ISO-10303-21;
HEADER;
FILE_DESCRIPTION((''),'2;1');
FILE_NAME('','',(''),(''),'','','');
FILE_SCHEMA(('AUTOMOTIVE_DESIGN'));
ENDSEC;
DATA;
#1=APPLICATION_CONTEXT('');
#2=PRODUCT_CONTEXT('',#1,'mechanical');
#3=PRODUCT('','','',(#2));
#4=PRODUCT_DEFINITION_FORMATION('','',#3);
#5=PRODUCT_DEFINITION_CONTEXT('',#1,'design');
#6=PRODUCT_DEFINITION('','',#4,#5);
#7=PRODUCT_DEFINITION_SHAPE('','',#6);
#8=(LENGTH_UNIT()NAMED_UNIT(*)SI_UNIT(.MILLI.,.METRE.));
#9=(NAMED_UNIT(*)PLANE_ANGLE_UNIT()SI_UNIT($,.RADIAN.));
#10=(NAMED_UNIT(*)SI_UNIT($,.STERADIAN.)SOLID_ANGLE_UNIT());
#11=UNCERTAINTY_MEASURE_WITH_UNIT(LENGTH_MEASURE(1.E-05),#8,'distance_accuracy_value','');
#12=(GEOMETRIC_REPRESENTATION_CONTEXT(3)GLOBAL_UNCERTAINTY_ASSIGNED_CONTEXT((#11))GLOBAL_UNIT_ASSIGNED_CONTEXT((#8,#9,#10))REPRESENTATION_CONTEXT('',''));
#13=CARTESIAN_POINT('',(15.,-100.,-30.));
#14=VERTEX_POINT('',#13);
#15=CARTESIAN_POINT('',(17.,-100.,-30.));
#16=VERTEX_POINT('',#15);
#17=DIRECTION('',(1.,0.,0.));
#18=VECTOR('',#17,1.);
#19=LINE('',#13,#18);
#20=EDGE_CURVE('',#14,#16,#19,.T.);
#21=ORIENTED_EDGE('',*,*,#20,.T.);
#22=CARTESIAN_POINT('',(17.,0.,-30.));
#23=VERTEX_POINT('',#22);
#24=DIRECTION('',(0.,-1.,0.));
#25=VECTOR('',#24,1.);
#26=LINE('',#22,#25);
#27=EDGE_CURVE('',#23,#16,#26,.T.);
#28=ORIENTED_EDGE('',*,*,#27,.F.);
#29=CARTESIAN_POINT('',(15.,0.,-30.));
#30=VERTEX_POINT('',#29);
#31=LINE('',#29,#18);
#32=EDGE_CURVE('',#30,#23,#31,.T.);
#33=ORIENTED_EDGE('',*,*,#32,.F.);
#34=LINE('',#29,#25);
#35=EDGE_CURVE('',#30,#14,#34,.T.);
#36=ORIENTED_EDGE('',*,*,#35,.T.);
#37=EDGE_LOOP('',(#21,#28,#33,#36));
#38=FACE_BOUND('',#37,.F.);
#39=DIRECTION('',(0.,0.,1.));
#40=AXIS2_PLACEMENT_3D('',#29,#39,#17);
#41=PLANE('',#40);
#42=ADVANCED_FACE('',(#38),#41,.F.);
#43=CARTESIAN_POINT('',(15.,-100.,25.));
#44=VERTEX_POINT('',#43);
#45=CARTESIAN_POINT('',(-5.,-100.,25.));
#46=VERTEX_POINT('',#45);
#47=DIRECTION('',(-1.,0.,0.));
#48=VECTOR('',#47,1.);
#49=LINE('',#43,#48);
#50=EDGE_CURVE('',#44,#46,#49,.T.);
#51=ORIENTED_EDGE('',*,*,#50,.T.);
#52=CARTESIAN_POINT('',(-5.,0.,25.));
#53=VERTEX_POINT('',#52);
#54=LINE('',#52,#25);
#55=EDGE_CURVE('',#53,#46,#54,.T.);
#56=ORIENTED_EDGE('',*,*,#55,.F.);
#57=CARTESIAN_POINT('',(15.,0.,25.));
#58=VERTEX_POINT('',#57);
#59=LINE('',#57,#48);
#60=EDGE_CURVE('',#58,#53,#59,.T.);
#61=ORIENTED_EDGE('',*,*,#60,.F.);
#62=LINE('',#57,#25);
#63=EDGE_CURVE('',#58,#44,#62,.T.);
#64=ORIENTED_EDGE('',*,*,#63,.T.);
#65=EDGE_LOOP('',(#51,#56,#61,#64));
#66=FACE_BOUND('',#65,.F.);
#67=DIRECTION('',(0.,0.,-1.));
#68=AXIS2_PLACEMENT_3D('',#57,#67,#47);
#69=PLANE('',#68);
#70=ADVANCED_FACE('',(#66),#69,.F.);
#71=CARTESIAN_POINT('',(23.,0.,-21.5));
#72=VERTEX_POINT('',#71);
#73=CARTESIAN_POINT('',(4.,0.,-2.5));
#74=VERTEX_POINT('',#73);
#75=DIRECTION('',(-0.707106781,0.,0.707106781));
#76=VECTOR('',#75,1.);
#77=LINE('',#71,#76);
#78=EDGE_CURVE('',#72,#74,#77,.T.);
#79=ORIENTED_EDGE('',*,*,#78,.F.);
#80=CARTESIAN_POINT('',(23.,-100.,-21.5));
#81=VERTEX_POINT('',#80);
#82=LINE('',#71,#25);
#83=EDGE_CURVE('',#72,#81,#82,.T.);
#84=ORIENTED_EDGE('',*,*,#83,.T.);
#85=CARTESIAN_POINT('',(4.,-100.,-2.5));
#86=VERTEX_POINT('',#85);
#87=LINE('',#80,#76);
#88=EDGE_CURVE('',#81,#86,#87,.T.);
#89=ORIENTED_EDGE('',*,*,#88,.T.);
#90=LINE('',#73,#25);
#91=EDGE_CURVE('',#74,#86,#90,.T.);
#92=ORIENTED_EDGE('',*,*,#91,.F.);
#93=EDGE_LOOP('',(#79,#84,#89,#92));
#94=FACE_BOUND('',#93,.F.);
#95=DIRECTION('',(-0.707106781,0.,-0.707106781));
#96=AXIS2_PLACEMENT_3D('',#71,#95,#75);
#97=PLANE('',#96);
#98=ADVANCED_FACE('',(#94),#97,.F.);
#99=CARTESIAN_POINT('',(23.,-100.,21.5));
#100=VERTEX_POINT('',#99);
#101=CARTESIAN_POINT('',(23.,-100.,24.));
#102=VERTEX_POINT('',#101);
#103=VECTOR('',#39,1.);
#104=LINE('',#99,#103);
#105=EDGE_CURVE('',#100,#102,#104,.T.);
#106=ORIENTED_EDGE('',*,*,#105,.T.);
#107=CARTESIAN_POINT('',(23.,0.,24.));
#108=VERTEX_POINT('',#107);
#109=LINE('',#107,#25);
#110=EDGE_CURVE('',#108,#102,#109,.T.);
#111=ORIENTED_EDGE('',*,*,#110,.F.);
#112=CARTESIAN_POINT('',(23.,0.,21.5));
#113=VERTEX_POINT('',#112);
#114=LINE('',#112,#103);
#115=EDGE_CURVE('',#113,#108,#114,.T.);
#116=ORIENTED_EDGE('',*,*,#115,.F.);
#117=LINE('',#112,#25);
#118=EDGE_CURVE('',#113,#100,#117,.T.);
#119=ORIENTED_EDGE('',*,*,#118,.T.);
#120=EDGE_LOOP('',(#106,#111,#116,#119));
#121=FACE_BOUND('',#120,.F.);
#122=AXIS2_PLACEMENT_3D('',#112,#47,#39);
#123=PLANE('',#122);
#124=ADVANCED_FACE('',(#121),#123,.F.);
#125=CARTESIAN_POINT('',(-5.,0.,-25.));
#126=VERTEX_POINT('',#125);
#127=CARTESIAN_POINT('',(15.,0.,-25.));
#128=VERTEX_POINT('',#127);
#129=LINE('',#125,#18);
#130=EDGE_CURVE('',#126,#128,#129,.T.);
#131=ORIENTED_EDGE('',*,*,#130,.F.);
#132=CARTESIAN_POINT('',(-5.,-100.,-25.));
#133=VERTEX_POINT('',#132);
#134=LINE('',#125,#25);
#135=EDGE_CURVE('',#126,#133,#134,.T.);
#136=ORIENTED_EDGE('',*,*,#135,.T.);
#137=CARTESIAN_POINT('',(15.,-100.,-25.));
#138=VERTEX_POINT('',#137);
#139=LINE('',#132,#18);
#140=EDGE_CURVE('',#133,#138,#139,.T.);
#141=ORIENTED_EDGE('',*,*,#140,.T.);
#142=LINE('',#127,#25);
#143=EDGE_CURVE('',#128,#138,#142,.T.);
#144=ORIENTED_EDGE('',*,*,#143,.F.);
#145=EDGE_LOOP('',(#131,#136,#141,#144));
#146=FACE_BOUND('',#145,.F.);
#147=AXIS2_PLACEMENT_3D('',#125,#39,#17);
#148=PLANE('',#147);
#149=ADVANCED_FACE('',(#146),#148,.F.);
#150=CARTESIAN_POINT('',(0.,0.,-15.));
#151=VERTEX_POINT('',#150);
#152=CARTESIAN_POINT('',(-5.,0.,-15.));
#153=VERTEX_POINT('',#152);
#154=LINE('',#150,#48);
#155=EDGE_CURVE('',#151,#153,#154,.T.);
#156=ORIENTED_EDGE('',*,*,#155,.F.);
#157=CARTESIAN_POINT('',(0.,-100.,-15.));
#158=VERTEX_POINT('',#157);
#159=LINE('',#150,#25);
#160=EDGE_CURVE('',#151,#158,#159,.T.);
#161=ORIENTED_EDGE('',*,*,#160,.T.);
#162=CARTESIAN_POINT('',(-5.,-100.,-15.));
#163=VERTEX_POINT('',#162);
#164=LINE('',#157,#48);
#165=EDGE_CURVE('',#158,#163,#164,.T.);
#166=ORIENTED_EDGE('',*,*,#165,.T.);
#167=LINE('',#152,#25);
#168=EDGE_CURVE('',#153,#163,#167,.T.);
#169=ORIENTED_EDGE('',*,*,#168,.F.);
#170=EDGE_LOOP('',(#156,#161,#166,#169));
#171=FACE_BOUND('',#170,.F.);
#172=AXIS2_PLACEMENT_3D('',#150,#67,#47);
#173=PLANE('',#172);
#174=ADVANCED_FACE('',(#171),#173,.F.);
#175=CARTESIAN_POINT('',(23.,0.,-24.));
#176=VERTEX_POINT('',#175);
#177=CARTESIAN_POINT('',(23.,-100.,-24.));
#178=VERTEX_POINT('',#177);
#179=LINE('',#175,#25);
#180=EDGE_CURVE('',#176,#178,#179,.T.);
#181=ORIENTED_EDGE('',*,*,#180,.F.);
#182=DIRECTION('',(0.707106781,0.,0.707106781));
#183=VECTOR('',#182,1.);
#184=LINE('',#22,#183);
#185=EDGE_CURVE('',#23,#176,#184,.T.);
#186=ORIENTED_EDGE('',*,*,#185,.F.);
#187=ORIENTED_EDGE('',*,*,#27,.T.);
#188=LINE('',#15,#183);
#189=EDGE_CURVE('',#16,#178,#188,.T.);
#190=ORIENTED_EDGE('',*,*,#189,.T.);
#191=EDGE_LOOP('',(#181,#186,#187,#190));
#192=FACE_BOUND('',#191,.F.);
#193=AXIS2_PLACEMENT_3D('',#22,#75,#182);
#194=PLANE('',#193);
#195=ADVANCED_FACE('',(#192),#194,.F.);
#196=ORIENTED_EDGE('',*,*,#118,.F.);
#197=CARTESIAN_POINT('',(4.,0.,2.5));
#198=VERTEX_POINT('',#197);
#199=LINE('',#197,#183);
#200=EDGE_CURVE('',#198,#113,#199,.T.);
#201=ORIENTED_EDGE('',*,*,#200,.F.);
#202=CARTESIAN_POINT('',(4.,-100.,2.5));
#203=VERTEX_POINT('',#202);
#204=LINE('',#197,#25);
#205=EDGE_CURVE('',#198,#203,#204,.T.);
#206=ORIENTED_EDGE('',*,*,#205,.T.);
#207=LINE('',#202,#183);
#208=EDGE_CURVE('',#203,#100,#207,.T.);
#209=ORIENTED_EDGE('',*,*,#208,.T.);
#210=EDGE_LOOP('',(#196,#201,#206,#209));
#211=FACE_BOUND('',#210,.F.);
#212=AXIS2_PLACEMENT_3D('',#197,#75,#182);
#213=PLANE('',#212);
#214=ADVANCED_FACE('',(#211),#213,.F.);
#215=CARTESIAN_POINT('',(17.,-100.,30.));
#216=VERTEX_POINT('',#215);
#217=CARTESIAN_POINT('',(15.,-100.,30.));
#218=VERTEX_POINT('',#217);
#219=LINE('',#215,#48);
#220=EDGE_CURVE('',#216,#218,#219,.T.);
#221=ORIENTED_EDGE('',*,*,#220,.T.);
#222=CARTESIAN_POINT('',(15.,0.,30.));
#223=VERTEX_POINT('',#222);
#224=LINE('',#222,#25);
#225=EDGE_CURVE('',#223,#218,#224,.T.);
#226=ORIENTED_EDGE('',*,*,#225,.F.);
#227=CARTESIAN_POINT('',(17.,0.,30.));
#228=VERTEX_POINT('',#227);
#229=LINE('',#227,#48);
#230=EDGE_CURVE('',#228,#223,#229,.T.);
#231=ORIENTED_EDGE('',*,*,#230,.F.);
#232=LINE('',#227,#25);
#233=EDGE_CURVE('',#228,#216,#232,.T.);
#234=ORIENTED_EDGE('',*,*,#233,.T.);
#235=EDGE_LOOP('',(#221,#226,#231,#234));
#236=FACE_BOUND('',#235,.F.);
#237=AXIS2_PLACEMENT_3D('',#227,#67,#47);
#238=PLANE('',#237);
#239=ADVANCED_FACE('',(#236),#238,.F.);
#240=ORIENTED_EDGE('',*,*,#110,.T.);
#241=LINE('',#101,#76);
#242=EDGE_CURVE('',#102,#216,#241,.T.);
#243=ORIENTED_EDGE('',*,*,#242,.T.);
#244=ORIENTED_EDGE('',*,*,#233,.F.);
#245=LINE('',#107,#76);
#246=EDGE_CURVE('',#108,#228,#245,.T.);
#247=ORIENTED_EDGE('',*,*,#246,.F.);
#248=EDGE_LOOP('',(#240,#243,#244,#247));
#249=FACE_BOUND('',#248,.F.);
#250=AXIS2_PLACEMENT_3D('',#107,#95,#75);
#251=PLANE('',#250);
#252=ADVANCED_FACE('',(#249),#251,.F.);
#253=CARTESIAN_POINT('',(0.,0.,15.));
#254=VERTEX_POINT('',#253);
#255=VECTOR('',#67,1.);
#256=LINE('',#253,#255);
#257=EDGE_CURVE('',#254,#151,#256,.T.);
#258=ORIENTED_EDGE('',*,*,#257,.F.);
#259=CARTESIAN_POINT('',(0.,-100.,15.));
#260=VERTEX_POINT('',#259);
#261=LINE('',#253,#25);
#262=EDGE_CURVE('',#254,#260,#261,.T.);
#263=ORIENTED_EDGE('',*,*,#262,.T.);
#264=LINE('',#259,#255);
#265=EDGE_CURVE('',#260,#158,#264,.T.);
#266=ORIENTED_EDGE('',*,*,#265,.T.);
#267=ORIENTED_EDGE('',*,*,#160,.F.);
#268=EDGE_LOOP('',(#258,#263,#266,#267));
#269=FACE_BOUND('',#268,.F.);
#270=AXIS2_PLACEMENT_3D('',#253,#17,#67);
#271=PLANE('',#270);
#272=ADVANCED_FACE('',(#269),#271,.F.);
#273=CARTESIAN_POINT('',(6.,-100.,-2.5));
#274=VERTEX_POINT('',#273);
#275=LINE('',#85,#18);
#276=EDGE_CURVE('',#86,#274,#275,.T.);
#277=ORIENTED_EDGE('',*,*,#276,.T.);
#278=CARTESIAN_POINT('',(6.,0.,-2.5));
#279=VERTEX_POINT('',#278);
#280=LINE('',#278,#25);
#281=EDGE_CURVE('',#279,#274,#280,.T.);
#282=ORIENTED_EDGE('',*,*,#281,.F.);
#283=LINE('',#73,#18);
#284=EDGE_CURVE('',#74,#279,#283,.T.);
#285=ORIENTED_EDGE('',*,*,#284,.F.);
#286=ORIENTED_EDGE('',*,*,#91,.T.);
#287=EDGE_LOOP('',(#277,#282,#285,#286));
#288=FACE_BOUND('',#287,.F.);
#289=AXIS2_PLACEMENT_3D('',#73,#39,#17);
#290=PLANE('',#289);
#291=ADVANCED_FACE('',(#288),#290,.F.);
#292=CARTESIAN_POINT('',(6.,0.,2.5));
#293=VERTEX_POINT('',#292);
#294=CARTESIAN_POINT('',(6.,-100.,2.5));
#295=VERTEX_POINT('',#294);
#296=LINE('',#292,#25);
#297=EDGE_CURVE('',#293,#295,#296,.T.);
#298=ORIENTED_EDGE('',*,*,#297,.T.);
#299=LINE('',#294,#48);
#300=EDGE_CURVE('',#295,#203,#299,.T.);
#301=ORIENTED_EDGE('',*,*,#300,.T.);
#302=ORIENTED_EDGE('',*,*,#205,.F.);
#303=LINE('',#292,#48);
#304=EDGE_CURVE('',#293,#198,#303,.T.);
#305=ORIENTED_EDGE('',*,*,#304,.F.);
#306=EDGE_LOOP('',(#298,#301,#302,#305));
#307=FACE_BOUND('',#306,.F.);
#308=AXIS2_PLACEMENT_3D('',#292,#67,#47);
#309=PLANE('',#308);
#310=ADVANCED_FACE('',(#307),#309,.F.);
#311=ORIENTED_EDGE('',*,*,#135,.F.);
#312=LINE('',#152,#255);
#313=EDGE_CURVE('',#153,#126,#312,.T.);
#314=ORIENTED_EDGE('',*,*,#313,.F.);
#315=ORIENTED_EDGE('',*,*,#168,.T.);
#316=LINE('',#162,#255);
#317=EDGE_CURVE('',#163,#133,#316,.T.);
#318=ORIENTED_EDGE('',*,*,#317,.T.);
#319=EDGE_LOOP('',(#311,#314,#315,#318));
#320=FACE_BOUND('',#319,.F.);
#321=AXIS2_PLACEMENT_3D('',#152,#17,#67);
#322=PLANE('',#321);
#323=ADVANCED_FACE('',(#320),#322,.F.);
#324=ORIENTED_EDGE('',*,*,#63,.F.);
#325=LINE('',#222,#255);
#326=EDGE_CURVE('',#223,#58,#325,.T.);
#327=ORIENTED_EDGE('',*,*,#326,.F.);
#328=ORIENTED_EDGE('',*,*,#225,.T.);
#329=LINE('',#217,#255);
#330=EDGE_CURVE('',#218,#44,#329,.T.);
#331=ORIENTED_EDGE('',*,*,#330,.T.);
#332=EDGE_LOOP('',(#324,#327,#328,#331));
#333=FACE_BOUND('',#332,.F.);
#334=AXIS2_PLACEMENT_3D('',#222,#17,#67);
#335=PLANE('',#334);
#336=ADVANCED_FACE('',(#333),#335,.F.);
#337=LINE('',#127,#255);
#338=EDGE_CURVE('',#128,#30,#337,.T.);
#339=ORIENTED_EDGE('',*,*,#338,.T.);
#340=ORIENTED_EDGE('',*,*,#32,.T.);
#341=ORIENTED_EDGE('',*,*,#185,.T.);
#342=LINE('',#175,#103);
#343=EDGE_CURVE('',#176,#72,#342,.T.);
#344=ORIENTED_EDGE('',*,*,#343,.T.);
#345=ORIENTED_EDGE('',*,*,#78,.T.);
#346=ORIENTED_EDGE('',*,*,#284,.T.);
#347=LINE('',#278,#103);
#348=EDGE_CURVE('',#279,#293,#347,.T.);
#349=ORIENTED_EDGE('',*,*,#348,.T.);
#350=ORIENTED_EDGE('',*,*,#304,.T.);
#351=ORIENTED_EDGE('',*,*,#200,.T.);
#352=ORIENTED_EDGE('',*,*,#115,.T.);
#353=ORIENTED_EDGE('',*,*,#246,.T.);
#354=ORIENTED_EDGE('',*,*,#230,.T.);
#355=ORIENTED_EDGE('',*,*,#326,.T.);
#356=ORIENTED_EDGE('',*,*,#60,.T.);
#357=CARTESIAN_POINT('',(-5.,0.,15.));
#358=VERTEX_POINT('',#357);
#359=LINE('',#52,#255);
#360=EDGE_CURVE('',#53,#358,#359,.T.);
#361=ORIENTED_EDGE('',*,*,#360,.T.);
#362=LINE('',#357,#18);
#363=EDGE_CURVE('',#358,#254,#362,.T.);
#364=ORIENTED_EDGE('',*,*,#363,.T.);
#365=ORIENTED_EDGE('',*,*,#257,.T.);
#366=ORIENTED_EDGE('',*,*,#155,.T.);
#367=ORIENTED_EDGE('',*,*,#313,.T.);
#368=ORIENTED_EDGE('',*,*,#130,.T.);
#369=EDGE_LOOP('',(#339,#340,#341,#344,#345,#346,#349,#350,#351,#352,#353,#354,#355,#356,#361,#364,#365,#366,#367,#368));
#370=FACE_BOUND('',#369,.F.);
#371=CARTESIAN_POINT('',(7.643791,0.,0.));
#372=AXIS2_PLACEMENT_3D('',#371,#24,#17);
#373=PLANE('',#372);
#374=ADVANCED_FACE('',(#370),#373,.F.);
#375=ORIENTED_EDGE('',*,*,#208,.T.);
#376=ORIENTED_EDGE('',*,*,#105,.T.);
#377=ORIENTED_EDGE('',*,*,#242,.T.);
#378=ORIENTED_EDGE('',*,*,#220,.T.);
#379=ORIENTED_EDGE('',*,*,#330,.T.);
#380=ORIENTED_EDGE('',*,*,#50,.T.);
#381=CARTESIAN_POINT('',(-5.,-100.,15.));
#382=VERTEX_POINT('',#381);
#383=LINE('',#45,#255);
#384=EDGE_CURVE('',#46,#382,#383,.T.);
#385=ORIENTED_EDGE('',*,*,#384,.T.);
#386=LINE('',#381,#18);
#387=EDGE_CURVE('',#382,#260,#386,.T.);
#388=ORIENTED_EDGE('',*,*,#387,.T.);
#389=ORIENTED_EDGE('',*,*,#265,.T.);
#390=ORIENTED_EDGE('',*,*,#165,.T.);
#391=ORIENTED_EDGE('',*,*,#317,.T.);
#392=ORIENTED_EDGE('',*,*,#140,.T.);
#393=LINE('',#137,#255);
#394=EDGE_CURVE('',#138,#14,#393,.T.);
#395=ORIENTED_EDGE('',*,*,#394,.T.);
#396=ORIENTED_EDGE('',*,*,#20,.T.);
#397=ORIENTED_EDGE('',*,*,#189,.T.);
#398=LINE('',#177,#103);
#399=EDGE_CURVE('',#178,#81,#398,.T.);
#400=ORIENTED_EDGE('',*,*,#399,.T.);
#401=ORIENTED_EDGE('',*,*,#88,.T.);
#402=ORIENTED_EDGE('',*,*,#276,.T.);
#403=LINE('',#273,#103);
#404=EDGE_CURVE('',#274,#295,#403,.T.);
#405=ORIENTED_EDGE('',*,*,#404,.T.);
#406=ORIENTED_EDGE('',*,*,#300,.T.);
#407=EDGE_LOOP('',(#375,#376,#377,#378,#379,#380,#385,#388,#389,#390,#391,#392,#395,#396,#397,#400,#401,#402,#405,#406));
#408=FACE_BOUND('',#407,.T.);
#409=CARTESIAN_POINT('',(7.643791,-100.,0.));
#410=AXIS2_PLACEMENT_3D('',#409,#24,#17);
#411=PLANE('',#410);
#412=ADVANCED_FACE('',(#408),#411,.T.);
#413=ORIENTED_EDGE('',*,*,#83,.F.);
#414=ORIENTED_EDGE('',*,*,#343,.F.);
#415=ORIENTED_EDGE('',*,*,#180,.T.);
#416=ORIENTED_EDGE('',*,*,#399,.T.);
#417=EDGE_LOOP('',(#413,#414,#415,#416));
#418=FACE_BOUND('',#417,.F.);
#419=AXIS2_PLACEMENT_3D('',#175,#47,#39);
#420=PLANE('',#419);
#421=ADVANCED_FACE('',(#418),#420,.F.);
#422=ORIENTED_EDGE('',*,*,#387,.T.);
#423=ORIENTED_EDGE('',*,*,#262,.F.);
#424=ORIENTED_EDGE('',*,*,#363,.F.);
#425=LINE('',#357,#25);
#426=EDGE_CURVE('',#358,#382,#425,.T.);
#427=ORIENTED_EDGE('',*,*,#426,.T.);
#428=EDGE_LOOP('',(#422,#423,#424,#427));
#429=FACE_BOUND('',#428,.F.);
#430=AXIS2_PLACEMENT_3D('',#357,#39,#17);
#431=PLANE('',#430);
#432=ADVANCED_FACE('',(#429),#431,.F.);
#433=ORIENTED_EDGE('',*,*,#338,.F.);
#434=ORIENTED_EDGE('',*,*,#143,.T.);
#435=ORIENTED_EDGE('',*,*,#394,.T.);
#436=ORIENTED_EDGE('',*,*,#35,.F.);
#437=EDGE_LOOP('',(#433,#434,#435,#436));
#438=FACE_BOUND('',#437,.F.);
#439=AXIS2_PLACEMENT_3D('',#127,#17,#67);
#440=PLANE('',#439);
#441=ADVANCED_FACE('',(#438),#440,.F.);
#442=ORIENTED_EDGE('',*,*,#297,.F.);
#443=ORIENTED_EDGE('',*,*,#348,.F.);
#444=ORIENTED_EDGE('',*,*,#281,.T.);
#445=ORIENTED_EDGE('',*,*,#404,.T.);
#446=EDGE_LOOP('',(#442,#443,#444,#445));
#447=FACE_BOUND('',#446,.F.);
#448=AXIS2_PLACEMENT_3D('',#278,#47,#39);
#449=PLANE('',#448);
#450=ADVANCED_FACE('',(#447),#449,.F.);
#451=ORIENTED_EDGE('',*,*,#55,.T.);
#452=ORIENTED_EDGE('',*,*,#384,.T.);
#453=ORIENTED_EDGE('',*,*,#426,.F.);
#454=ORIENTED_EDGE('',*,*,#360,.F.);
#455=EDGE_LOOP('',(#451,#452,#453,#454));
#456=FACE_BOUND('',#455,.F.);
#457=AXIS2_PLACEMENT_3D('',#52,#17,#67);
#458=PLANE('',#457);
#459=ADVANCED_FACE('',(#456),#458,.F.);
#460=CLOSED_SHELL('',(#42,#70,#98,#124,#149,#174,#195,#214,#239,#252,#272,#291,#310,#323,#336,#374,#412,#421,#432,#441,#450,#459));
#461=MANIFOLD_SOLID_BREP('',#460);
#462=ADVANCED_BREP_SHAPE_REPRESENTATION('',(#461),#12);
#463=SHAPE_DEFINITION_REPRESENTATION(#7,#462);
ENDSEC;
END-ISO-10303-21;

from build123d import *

# Parameters (mm, degrees)
F1_DEPTH = 100


with BuildPart() as f1:
    # F0 (on Front) → F1 (new body)
    with BuildSketch(Plane.XZ):
        Polygon((0, 15), (0, 0), (0, -15), (-5, -15), (-5, -25), (15, -25), (15, -30), (17, -30), (23, -24), (23, -21.5), (4, -2.5), (6, -2.5), (6, 0), (6, 2.5), (4, 2.5), (23, 21.5), (23, 24), (17, 30), (15, 30), (15, 25), (-5, 25), (-5, 15), align=None)
    extrude(amount=F1_DEPTH)


solid = f1.part
